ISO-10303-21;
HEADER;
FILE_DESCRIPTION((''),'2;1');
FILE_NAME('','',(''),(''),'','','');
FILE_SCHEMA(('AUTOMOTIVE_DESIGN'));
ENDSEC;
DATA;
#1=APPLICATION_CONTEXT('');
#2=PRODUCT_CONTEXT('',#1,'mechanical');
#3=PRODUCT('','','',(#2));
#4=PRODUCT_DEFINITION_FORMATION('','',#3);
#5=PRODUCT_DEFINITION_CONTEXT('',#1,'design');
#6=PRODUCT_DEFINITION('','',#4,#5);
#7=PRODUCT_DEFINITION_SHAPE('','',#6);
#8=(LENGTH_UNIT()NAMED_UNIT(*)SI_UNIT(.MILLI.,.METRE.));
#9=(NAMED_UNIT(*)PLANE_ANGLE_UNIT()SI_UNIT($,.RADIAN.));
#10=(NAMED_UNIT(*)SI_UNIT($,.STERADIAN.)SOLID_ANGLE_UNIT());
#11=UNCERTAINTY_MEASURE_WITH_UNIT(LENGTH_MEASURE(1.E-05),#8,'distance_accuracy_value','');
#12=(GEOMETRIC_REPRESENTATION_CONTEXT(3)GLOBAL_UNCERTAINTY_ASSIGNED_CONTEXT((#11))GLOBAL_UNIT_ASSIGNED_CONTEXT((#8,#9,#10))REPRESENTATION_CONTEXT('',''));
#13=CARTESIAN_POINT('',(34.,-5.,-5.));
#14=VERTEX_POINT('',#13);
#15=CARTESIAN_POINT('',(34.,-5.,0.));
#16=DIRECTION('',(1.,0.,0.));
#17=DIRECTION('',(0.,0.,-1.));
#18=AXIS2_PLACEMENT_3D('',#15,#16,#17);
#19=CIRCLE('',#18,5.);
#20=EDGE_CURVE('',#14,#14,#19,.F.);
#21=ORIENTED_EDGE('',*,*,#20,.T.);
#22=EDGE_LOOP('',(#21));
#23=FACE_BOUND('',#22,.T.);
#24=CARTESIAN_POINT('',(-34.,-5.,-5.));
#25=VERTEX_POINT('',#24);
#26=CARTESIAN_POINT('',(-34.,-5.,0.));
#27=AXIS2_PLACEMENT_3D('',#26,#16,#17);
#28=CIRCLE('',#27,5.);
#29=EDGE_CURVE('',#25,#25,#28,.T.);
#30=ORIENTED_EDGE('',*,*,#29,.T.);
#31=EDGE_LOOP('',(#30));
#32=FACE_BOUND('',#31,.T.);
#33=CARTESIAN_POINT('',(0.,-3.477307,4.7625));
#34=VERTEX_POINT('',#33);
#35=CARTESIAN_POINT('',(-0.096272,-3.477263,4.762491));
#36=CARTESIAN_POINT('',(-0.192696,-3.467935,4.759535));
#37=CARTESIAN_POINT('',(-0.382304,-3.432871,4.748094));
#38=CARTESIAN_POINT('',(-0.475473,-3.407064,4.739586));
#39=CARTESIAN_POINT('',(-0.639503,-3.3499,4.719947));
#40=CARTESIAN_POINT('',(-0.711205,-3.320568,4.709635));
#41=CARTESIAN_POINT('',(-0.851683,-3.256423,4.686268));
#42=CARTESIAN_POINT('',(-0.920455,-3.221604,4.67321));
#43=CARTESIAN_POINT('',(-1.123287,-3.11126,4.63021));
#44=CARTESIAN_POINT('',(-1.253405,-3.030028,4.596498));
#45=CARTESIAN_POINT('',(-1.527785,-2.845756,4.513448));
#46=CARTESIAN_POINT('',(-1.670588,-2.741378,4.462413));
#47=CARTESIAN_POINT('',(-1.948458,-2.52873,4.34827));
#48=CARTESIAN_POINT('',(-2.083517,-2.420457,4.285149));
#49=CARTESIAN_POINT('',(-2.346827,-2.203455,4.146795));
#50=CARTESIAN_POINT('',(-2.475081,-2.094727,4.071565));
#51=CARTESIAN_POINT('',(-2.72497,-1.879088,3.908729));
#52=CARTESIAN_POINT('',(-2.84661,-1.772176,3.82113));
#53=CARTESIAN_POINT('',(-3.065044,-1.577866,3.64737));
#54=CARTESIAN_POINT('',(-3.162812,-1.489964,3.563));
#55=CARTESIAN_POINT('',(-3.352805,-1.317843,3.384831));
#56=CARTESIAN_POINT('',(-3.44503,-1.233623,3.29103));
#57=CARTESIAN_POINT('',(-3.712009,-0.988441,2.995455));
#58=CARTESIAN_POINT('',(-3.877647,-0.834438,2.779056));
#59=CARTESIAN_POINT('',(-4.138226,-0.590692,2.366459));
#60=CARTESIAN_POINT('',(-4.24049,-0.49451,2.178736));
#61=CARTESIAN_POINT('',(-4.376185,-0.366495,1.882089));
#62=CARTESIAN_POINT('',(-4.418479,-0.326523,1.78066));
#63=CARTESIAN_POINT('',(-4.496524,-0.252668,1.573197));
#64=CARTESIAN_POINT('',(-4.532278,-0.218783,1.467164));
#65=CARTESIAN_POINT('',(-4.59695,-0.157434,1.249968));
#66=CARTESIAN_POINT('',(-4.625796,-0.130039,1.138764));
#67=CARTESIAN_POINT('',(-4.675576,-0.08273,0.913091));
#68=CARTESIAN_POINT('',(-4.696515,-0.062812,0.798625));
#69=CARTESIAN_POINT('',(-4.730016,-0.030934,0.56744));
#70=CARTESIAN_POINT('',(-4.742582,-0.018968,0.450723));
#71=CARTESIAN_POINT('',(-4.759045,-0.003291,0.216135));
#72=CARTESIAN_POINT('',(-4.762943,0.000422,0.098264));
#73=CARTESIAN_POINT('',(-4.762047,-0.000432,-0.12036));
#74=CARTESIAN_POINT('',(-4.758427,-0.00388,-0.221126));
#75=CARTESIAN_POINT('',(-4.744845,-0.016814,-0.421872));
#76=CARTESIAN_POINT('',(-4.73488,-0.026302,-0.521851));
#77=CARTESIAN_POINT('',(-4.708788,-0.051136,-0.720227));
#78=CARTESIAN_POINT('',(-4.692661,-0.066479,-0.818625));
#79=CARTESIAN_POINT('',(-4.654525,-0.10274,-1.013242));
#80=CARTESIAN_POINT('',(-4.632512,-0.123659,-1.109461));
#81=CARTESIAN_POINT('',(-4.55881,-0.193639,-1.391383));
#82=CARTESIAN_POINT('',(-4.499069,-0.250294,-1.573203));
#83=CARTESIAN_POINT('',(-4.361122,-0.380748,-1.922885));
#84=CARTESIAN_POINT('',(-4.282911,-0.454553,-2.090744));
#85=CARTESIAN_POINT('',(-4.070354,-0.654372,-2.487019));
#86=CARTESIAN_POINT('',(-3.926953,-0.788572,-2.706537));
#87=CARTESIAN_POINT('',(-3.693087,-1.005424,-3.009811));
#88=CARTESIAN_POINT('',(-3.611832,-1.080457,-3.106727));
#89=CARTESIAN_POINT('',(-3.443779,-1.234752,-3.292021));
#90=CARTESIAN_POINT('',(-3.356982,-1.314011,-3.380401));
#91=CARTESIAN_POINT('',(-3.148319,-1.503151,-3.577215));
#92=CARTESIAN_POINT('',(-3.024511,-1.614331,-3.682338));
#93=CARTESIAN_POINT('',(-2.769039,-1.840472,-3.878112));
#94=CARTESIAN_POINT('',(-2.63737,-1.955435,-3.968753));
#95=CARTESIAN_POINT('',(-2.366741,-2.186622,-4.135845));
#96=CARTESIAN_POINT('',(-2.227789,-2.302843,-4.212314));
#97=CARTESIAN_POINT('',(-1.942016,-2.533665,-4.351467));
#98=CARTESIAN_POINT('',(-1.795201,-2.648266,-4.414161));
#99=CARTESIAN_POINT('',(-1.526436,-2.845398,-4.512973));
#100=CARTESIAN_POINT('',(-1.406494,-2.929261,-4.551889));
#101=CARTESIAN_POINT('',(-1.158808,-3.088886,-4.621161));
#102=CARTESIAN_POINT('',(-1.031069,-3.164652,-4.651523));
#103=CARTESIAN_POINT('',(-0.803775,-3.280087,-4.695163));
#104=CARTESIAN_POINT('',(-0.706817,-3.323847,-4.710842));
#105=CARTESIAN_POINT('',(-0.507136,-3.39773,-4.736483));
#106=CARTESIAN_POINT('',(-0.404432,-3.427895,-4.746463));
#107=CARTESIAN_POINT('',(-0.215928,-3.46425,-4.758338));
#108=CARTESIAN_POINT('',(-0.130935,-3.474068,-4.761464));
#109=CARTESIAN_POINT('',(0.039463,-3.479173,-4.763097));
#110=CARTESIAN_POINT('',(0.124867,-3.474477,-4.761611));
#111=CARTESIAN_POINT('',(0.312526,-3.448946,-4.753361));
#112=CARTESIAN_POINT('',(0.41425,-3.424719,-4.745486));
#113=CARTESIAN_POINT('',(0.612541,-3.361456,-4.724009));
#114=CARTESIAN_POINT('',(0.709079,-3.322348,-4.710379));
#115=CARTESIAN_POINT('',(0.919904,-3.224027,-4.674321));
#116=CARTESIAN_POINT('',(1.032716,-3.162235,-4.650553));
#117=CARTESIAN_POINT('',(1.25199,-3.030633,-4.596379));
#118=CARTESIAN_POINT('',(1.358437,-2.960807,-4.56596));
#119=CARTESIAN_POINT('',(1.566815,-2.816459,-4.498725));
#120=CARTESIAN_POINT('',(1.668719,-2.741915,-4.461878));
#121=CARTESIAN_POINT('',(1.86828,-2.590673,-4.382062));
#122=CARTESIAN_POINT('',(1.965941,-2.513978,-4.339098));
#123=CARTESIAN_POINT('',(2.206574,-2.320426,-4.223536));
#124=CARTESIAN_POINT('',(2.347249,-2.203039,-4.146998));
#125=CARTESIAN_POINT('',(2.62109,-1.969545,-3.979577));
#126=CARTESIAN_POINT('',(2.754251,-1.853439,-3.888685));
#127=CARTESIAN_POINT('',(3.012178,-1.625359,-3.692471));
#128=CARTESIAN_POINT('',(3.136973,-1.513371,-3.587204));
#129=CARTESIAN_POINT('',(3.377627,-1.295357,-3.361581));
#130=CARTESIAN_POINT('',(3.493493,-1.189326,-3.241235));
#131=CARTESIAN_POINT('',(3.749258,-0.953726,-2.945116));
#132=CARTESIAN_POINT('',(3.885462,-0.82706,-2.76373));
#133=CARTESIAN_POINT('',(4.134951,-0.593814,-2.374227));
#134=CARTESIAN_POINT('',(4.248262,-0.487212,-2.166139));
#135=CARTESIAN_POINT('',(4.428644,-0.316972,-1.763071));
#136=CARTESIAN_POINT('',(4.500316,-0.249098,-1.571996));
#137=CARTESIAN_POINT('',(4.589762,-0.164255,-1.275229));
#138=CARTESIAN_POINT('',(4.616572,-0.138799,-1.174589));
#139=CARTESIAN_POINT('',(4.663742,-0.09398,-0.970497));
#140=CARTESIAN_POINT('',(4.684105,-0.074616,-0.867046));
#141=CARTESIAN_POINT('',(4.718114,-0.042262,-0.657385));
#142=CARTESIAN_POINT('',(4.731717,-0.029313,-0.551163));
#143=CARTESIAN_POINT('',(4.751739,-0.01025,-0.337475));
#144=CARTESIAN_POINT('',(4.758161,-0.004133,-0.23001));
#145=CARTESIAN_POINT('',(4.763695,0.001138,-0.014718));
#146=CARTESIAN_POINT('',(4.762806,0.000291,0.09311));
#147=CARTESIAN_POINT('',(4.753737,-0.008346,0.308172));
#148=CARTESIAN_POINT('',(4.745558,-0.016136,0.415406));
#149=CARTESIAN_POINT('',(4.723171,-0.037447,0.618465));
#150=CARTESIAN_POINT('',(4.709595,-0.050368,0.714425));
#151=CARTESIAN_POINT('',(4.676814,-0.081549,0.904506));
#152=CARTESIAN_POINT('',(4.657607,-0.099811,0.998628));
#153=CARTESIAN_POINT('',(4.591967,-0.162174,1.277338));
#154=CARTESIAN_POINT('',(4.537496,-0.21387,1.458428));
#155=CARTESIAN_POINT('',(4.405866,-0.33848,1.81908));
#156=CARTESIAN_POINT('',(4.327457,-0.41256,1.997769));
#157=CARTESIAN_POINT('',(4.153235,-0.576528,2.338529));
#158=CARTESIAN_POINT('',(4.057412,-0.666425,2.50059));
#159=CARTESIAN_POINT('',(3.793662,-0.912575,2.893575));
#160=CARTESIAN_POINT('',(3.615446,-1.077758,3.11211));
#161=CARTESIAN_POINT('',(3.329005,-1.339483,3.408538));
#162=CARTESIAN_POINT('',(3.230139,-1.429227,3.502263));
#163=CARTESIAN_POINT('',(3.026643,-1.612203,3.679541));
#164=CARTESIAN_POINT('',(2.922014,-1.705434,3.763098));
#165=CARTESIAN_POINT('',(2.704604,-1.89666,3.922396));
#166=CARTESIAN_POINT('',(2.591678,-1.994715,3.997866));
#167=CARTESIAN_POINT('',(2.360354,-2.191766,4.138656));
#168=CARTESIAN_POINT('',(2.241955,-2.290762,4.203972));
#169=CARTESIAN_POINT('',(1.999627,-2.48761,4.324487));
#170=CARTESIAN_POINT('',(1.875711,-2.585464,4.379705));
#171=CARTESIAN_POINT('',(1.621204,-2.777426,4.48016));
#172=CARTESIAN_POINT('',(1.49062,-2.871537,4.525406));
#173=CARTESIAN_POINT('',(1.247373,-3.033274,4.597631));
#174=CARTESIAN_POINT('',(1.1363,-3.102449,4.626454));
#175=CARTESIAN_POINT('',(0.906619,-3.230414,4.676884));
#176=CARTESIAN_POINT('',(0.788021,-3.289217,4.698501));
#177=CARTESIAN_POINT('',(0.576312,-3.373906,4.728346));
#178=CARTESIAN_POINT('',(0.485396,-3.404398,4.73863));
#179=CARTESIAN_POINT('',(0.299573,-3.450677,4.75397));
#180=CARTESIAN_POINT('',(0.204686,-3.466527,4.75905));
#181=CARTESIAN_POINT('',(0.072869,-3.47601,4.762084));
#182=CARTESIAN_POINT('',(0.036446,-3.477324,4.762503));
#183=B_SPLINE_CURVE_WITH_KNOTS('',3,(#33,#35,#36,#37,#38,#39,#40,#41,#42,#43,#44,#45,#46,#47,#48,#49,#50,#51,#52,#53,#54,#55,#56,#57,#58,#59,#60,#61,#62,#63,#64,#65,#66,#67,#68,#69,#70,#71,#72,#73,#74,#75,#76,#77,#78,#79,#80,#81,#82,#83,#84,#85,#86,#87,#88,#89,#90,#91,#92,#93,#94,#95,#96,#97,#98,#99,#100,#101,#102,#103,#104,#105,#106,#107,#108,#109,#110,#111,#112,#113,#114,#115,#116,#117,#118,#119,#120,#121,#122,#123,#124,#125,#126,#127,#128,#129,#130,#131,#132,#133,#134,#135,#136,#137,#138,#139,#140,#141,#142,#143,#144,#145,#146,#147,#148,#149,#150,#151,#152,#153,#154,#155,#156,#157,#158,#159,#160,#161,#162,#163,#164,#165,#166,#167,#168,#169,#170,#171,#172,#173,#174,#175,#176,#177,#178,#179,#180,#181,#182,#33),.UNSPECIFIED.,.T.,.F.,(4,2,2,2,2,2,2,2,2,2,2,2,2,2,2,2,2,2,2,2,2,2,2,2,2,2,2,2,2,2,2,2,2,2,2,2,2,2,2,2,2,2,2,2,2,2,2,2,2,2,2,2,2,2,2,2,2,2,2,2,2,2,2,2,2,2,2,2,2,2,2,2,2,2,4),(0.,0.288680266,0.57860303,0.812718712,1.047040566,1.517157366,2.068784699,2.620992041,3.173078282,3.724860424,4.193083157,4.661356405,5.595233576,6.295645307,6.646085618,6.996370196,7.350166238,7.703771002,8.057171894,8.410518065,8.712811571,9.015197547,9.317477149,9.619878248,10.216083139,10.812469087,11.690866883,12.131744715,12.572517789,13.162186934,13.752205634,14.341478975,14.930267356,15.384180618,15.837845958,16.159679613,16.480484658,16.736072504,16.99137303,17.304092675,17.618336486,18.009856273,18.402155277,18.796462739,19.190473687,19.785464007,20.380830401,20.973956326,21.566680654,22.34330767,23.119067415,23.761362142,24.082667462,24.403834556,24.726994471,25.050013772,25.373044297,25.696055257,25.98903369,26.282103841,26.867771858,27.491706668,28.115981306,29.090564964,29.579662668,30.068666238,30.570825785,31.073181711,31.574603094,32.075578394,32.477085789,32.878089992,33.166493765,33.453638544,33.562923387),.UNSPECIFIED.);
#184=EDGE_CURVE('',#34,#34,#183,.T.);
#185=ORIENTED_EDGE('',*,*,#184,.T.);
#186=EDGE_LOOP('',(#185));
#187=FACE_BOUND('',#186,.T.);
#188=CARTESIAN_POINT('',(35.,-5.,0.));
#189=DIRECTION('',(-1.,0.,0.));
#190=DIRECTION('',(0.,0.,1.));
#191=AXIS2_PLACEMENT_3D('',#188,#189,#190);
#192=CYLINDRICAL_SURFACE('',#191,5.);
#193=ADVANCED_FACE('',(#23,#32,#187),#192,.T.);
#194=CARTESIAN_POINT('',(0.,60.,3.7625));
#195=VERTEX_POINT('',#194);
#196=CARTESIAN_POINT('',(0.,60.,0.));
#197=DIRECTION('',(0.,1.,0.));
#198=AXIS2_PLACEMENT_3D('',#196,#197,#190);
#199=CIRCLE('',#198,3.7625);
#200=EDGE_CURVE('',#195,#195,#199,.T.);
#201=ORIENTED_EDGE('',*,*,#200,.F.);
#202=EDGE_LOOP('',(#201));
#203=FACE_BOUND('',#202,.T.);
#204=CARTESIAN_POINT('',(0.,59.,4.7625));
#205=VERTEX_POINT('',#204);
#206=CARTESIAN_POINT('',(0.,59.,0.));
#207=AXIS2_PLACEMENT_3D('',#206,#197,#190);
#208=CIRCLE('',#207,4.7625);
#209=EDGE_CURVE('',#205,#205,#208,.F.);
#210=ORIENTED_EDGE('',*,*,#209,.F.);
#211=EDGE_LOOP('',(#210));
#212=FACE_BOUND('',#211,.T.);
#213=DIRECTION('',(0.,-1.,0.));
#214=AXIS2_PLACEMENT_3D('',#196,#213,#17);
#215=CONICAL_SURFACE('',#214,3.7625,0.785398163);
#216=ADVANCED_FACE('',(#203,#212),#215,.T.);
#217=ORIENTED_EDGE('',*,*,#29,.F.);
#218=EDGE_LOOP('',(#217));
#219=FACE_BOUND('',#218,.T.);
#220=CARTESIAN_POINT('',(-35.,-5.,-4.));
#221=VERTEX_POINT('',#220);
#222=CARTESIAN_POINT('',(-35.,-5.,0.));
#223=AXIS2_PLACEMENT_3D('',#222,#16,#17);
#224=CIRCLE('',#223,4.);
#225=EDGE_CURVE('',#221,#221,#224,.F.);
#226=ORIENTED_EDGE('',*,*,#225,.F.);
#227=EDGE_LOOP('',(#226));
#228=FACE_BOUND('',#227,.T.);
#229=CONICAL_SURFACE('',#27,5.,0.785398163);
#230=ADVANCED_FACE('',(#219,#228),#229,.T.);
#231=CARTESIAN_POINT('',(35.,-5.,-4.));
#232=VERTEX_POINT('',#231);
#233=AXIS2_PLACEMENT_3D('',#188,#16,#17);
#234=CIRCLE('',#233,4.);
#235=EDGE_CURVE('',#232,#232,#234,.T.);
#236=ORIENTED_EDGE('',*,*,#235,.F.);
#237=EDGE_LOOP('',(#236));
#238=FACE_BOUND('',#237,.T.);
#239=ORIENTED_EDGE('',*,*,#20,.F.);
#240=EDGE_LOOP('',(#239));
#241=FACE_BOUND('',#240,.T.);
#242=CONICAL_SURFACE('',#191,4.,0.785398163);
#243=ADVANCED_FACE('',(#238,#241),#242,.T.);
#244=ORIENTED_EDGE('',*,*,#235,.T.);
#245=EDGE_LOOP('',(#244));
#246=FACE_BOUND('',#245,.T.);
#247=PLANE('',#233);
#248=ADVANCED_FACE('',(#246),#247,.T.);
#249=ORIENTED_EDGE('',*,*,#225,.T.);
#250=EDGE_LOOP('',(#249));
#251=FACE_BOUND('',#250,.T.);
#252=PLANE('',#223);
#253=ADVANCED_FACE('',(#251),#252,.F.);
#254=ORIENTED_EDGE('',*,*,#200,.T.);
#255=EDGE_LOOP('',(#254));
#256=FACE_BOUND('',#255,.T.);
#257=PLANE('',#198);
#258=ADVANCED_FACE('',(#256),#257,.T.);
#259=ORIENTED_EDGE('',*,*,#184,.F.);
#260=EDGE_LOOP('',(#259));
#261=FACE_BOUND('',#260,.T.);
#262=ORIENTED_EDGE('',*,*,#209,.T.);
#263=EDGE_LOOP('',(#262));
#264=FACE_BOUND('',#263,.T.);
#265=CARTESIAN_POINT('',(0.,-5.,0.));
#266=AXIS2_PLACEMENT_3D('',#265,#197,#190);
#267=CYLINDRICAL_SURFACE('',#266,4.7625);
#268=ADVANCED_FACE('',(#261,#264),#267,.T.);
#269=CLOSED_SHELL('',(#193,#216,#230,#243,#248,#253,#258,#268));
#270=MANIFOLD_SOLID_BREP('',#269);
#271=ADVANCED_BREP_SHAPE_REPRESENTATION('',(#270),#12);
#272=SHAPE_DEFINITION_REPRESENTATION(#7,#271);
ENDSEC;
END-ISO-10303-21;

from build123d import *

# Parameters (mm, degrees)
SKETCH1_R                = 5
BOSS_EXTRUDE1_DEPTH      = 35
BOSS_EXTRUDE5_DEPTH      = 60
BOSS_EXTRUDE5_DEPTH_BACK = 5
SKETCH2_R                = 4.7625
CHAMFER1_SIZE            = 1


with BuildPart() as part:
    # Sketch1 → Boss-Extrude1 (new, symmetric)
    with BuildSketch(Plane(origin=(0, 0, 0), x_dir=(0, 0, -1), z_dir=(1, 0, 0))):
        with Locations((0, -5)):
            Circle(SKETCH1_R)
    extrude(amount=BOSS_EXTRUDE1_DEPTH, both=True)

    # Sketch2 → Boss-Extrude5 (add, two sides: drawn at the far end of the back side and taken through both)
    with BuildSketch(Plane(origin=(0, 0, 0), x_dir=(1, 0, 0), z_dir=(0, 1, 0)).offset(-BOSS_EXTRUDE5_DEPTH_BACK)):
        with Locations(Location((0, 0, 0), (0, 0, 270))):
            Circle(SKETCH2_R)
    extrude(amount=BOSS_EXTRUDE5_DEPTH + BOSS_EXTRUDE5_DEPTH_BACK)

    # Chamfer1
    chamfer1_edges = [part.edges().sort_by_distance(p)[0] for p in [
        (-35, -5, 5),
        (35, -5, 5),
        (0, 60, -4.7625),
    ]]
    chamfer(chamfer1_edges, length=CHAMFER1_SIZE)


solid = part.part
